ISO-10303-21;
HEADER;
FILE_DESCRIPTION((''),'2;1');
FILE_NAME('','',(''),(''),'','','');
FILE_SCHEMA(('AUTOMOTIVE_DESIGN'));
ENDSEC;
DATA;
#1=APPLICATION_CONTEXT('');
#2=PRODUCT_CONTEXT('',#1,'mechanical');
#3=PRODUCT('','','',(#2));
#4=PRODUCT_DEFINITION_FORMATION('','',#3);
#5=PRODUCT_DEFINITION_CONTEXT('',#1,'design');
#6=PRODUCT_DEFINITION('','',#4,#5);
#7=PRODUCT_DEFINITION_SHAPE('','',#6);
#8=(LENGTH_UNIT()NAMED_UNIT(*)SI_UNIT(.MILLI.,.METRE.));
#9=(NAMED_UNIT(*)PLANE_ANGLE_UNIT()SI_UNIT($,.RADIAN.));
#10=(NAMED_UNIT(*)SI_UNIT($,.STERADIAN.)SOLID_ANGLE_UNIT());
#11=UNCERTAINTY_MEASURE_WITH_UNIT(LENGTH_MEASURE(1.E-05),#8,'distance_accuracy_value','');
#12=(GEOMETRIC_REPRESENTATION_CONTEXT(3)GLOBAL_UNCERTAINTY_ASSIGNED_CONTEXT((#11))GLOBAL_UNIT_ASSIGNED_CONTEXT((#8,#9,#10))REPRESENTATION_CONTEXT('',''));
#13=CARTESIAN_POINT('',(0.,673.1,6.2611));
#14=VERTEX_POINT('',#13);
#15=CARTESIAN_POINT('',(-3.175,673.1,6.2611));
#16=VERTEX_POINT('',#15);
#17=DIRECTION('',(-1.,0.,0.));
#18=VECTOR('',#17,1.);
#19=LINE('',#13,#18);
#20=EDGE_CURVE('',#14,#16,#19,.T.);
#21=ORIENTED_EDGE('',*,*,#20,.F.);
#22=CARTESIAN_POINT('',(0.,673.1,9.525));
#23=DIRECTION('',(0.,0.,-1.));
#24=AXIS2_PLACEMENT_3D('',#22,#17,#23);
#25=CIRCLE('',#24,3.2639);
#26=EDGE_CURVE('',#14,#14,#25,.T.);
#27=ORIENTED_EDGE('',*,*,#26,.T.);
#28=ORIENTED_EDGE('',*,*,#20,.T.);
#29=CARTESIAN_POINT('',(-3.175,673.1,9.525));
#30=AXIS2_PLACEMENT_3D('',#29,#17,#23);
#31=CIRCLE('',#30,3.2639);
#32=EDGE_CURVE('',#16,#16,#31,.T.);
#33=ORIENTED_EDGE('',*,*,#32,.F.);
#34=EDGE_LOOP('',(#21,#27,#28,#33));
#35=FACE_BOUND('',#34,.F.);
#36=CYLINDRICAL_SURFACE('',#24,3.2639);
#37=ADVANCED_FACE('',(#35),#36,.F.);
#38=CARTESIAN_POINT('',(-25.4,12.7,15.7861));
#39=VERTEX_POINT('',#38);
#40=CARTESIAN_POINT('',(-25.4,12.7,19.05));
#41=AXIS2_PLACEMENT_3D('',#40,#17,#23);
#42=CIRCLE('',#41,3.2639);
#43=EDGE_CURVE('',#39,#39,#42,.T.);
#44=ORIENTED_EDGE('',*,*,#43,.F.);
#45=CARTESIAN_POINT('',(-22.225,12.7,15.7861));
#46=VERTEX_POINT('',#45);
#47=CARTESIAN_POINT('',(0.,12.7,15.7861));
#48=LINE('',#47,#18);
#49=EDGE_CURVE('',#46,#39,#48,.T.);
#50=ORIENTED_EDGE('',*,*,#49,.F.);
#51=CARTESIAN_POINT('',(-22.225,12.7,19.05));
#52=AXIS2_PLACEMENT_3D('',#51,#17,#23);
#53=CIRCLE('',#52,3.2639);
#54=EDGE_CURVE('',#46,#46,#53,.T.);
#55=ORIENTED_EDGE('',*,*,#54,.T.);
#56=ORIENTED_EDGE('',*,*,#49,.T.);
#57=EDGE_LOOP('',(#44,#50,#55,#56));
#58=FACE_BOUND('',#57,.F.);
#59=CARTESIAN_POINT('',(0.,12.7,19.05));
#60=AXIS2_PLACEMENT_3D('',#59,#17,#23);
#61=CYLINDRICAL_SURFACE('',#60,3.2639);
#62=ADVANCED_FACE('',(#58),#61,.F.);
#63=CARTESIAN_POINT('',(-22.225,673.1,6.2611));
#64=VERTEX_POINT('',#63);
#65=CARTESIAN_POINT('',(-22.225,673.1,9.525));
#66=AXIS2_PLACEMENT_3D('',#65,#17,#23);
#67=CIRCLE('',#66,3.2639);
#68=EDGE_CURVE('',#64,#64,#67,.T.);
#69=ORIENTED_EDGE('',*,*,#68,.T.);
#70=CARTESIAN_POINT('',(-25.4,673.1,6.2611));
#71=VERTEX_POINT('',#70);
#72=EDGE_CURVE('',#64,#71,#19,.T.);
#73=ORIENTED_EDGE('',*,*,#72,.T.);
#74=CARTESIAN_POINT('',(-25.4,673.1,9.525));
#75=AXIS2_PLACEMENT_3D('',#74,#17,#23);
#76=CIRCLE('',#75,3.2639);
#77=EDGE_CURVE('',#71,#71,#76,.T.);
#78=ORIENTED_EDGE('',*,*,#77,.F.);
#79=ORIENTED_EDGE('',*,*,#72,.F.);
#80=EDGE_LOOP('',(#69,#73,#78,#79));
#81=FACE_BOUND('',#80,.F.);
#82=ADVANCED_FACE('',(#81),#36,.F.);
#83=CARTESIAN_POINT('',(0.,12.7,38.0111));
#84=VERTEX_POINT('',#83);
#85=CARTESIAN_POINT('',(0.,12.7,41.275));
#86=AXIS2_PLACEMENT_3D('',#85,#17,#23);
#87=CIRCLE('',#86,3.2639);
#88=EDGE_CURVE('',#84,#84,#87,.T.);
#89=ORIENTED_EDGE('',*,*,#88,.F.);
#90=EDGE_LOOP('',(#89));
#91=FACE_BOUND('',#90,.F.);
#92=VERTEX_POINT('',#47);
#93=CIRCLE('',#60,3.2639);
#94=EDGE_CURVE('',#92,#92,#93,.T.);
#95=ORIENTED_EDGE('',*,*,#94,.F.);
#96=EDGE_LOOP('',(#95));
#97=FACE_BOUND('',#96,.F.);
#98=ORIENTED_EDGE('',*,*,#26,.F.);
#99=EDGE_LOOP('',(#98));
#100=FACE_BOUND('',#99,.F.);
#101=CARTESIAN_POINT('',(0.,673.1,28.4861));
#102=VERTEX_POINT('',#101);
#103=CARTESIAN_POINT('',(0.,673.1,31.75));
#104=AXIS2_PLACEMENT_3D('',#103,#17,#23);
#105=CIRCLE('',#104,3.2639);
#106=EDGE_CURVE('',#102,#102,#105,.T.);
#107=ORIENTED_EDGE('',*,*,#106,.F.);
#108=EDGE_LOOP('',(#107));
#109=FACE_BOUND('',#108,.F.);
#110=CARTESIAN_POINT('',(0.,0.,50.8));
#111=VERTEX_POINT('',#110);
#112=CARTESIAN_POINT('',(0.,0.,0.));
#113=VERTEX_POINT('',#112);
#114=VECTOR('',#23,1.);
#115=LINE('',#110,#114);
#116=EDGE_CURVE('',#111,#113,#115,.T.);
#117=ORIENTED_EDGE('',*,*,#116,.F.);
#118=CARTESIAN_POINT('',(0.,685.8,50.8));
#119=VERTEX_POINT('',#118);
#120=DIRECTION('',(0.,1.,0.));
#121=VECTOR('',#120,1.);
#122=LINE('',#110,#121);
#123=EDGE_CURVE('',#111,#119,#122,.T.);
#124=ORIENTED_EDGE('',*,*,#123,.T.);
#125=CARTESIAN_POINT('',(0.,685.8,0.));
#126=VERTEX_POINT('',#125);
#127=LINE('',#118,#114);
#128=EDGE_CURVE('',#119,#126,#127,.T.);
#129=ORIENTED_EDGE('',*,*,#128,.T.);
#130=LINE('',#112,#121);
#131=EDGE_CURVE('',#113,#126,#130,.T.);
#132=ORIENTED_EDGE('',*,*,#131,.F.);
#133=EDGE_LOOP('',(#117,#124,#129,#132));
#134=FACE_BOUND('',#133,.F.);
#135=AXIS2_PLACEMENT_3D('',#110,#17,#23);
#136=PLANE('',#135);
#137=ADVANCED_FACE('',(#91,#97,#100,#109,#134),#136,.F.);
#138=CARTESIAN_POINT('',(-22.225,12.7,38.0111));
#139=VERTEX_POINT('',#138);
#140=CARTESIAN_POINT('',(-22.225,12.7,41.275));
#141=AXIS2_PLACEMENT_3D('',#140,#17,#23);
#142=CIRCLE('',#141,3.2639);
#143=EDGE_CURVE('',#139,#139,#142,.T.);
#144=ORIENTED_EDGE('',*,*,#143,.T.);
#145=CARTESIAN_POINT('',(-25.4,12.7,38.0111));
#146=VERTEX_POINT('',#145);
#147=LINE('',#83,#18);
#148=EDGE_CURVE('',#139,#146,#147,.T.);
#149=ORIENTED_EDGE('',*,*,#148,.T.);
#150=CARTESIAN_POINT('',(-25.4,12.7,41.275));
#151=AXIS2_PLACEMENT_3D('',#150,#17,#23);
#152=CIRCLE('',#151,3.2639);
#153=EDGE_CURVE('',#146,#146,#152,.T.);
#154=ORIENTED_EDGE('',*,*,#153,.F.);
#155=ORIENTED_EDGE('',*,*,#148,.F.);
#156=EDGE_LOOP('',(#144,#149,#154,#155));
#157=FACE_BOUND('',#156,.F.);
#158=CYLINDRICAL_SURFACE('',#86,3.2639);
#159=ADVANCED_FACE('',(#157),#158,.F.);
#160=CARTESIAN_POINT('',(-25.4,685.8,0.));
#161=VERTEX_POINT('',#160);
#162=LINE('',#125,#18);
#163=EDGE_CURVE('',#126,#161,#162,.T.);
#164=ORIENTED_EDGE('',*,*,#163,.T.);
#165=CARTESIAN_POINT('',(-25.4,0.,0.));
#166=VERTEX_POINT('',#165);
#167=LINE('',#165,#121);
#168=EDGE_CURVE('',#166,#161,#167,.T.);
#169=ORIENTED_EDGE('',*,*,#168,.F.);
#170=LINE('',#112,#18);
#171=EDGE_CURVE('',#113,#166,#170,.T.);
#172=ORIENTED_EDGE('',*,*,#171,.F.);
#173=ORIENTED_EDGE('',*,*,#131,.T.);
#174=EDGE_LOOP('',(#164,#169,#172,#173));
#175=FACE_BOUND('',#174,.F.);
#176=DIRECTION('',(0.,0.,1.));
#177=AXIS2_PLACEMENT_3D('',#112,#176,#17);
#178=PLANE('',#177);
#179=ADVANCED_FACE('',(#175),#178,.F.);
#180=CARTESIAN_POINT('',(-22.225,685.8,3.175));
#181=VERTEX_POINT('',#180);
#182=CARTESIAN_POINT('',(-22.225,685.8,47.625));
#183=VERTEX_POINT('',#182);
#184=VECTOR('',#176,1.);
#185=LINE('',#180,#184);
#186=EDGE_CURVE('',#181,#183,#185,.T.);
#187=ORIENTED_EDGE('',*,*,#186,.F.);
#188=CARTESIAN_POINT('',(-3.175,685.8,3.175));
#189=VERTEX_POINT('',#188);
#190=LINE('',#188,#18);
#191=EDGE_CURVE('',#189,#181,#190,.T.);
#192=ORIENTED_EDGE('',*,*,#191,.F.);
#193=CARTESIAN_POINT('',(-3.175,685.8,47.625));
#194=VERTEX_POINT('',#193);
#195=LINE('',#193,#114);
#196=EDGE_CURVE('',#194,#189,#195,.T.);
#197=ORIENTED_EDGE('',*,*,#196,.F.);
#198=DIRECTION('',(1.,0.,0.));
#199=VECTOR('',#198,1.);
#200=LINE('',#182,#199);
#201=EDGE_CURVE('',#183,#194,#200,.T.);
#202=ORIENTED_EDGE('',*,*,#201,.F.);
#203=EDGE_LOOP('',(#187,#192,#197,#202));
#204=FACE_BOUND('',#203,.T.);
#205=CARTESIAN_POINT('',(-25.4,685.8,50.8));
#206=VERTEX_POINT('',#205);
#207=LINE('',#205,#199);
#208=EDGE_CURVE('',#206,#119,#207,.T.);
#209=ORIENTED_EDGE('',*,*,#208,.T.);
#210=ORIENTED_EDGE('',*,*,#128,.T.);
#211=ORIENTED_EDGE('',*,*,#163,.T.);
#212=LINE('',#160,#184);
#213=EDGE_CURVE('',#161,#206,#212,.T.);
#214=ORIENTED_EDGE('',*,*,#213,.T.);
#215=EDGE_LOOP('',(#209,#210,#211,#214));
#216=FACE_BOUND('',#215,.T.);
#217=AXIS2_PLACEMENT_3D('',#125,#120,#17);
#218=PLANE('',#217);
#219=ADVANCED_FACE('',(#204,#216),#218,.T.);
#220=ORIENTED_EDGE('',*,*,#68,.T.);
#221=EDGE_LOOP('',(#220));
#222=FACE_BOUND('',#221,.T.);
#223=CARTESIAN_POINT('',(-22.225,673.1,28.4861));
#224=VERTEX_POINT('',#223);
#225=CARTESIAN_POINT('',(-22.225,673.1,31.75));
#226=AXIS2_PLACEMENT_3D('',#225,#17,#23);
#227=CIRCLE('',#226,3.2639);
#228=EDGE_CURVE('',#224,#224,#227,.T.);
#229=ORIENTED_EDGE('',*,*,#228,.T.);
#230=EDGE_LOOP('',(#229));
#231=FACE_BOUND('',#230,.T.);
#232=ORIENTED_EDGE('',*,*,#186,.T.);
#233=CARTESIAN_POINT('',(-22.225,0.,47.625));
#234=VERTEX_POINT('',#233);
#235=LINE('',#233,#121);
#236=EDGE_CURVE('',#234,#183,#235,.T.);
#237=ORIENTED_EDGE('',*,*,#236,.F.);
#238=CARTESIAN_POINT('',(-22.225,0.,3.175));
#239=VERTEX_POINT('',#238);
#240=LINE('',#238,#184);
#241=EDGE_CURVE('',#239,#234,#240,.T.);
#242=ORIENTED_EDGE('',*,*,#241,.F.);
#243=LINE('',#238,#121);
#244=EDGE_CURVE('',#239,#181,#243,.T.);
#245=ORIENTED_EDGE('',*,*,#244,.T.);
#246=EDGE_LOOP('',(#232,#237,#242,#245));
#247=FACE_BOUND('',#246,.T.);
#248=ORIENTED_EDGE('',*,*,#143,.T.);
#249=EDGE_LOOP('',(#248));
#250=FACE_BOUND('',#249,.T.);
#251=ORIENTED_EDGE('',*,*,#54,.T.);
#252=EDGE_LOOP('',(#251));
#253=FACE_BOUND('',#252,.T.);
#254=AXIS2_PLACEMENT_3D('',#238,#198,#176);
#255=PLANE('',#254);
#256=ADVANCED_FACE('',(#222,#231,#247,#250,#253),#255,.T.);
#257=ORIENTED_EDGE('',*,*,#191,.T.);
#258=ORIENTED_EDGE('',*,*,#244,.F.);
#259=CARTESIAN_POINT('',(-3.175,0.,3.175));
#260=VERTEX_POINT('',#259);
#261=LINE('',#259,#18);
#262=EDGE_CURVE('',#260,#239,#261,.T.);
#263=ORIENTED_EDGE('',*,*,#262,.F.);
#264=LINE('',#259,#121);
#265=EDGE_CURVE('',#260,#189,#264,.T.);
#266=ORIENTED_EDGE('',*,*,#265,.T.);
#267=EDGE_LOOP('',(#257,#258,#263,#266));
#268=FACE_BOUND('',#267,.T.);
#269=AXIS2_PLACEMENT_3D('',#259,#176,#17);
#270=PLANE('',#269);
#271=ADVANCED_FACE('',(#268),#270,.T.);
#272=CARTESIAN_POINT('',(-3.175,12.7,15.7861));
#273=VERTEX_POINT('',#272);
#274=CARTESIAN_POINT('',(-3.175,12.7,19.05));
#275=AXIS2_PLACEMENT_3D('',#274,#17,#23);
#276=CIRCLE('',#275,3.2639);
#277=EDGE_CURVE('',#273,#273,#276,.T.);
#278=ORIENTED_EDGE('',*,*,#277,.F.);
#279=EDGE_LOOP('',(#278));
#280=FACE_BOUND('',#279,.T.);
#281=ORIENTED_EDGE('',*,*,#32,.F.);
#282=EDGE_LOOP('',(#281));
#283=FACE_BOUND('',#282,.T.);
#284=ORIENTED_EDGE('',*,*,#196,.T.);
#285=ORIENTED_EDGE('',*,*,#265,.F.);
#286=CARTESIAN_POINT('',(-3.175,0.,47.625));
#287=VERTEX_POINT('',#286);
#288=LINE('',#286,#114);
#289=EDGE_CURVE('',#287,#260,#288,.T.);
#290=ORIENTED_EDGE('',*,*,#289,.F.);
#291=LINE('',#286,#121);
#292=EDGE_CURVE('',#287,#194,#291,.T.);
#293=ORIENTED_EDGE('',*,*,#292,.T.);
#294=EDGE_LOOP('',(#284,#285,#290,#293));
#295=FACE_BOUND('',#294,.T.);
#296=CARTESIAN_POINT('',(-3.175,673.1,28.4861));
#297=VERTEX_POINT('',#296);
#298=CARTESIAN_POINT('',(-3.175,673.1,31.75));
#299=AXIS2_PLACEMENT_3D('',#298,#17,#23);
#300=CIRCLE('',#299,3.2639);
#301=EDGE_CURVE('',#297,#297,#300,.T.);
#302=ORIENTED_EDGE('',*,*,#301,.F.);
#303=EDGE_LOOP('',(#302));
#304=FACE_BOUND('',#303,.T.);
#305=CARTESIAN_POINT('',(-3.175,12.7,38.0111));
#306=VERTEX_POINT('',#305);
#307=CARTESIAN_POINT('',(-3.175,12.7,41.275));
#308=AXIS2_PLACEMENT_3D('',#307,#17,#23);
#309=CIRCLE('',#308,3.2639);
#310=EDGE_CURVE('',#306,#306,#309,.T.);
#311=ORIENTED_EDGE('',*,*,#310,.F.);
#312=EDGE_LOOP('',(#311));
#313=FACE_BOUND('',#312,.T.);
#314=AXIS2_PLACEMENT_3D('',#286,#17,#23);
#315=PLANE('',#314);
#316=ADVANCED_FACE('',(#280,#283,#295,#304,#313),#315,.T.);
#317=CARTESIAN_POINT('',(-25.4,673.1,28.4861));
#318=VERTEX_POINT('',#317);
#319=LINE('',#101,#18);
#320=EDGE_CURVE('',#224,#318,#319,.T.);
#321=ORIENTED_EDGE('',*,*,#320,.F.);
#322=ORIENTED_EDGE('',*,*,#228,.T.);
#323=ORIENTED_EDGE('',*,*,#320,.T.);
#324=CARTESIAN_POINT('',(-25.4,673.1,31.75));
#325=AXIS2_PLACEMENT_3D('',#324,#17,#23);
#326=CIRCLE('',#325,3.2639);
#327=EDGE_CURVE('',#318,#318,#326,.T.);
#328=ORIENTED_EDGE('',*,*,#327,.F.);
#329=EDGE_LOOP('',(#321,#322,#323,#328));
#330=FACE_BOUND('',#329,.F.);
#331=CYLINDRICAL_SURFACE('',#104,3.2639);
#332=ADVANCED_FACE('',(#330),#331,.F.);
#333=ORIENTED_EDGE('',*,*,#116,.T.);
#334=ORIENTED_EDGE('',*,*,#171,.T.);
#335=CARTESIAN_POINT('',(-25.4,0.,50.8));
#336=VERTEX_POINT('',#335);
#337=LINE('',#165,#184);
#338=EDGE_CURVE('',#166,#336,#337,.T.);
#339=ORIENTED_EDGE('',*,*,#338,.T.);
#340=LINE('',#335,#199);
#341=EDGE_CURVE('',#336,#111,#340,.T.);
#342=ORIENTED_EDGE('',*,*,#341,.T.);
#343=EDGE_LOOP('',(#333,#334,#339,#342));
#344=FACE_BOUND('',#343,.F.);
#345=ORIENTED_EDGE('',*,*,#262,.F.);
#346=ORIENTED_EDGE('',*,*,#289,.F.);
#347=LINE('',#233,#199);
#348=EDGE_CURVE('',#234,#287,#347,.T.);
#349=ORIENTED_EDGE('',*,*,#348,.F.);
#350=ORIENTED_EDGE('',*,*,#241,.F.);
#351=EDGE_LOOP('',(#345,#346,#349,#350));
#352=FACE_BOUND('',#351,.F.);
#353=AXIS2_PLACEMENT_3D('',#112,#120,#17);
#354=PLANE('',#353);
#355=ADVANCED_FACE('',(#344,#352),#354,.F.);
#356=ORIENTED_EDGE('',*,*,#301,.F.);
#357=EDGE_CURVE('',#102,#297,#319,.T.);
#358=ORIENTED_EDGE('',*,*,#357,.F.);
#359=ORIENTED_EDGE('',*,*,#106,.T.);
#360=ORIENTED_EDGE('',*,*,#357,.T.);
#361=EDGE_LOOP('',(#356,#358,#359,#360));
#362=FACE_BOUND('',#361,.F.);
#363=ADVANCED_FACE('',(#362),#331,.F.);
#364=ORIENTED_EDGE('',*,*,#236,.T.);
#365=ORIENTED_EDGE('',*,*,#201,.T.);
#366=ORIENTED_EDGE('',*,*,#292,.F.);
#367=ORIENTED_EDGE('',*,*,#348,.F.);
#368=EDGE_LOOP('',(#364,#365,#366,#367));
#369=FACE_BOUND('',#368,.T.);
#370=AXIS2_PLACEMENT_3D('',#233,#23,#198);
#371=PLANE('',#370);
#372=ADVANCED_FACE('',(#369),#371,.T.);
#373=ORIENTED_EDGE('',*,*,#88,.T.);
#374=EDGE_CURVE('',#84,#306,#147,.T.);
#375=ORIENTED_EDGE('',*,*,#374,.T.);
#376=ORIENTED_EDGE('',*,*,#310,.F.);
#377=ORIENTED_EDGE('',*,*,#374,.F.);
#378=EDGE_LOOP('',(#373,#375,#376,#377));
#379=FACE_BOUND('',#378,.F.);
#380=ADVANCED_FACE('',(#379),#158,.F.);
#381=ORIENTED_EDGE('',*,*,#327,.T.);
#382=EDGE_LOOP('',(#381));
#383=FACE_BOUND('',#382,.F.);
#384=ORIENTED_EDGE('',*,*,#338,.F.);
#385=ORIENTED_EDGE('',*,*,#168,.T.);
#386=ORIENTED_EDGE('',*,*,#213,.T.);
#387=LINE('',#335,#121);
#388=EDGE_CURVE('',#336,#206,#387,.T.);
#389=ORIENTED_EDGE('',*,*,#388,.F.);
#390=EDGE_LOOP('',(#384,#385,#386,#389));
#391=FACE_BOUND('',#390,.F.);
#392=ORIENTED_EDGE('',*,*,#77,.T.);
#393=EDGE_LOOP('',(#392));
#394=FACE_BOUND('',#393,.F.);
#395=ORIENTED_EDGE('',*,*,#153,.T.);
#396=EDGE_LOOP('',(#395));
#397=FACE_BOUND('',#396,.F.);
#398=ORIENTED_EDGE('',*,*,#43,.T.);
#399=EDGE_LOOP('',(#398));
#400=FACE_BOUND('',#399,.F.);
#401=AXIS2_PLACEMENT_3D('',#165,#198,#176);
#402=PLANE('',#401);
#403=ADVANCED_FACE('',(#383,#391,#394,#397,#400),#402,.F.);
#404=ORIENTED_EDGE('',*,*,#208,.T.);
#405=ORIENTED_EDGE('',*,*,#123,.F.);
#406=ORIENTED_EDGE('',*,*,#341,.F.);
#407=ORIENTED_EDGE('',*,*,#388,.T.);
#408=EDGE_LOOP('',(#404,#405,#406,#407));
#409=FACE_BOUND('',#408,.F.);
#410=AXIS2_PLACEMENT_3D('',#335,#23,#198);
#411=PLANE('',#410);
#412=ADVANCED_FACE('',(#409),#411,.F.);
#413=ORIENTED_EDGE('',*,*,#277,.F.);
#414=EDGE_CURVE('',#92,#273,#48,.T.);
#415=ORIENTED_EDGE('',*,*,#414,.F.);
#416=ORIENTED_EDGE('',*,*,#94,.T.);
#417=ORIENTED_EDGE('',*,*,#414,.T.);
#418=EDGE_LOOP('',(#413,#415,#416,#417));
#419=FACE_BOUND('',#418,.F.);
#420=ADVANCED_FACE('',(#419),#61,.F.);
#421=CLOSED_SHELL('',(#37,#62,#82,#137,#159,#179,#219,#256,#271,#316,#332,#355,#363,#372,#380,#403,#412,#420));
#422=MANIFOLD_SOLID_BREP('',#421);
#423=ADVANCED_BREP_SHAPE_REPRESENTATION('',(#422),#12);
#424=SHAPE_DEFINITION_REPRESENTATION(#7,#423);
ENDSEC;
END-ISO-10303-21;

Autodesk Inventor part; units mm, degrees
ref_plane "YZ Plane" through (0, 0, 0) normal (1, 0, 0) x (0, 1, 0)
ref_plane "XZ Plane" through (0, 0, 0) normal (0, 1, 0) x (-1, 0, 0)
ref_plane "XY Plane" through (0, 0, 0) normal (0, 0, 1) x (1, 0, 0)
sketch "Sketch1" plane through (0, 0, 0) normal (0, 1, 0) x (-1, 0, 0)
  line L0 (0, 0) -> (25.4, 0)
  line L1 (25.4, 0) -> (25.4, 50.8)
  line L2 (25.4, 50.8) -> (0, 50.8)
  line L3 (0, 50.8) -> (0, 0)
  line L4 (3.175, 3.175) -> (22.225, 3.175)
  line L5 (22.225, 3.175) -> (22.225, 47.625)
  line L6 (22.225, 47.625) -> (3.175, 47.625)
  line L7 (3.175, 47.625) -> (3.175, 3.175)
  point P0 (12.7, 50.8)
  dimension "d0" = 50.8
  dimension "d1" = 25.4
  dimension "d2" = 3.175
  dimension "d3" = 3.175
  dimension "d4" = 3.175
  dimension "d5" = 3.175
extrude "Extrusion1" add sketch "Sketch1" along normal blind 685.8
sketch "Sketch2" plane through (0, 0, 50.8) normal (1, 0, 0) x (0, 0, -1)
  line L0 (0, 0) -> (0, 685.8) projected
  line L1 (50.8, 0) -> (50.8, 685.8) projected
  line L2 (0, 0) -> (50.8, 0) projected
  line L3 (0, 685.8) -> (50.8, 685.8) projected
  point P0 (9.525, 12.7)
  point P1 (31.75, 12.7)
  point P2 (19.05, 673.1)
  point P3 (41.275, 673.1)
  dimension "d8" = 9.525
  dimension "d9" = 19.05
  dimension "d10" = 12.7
  dimension "d11" = 12.7
  dimension "d12" = 12.7
  dimension "d13" = 19.05
  dimension "d14" = 12.7
  dimension "d15" = 9.525
hole "Hole1" at (0, 12.7, 41.275) at (0, 12.7, 19.05) at (0, 673.1, 31.75) at (0, 673.1, 9.525) direction (-1, 0, 0) diameter 6.5278 depth 50.8 tip angle 118
properties part number "200520"
